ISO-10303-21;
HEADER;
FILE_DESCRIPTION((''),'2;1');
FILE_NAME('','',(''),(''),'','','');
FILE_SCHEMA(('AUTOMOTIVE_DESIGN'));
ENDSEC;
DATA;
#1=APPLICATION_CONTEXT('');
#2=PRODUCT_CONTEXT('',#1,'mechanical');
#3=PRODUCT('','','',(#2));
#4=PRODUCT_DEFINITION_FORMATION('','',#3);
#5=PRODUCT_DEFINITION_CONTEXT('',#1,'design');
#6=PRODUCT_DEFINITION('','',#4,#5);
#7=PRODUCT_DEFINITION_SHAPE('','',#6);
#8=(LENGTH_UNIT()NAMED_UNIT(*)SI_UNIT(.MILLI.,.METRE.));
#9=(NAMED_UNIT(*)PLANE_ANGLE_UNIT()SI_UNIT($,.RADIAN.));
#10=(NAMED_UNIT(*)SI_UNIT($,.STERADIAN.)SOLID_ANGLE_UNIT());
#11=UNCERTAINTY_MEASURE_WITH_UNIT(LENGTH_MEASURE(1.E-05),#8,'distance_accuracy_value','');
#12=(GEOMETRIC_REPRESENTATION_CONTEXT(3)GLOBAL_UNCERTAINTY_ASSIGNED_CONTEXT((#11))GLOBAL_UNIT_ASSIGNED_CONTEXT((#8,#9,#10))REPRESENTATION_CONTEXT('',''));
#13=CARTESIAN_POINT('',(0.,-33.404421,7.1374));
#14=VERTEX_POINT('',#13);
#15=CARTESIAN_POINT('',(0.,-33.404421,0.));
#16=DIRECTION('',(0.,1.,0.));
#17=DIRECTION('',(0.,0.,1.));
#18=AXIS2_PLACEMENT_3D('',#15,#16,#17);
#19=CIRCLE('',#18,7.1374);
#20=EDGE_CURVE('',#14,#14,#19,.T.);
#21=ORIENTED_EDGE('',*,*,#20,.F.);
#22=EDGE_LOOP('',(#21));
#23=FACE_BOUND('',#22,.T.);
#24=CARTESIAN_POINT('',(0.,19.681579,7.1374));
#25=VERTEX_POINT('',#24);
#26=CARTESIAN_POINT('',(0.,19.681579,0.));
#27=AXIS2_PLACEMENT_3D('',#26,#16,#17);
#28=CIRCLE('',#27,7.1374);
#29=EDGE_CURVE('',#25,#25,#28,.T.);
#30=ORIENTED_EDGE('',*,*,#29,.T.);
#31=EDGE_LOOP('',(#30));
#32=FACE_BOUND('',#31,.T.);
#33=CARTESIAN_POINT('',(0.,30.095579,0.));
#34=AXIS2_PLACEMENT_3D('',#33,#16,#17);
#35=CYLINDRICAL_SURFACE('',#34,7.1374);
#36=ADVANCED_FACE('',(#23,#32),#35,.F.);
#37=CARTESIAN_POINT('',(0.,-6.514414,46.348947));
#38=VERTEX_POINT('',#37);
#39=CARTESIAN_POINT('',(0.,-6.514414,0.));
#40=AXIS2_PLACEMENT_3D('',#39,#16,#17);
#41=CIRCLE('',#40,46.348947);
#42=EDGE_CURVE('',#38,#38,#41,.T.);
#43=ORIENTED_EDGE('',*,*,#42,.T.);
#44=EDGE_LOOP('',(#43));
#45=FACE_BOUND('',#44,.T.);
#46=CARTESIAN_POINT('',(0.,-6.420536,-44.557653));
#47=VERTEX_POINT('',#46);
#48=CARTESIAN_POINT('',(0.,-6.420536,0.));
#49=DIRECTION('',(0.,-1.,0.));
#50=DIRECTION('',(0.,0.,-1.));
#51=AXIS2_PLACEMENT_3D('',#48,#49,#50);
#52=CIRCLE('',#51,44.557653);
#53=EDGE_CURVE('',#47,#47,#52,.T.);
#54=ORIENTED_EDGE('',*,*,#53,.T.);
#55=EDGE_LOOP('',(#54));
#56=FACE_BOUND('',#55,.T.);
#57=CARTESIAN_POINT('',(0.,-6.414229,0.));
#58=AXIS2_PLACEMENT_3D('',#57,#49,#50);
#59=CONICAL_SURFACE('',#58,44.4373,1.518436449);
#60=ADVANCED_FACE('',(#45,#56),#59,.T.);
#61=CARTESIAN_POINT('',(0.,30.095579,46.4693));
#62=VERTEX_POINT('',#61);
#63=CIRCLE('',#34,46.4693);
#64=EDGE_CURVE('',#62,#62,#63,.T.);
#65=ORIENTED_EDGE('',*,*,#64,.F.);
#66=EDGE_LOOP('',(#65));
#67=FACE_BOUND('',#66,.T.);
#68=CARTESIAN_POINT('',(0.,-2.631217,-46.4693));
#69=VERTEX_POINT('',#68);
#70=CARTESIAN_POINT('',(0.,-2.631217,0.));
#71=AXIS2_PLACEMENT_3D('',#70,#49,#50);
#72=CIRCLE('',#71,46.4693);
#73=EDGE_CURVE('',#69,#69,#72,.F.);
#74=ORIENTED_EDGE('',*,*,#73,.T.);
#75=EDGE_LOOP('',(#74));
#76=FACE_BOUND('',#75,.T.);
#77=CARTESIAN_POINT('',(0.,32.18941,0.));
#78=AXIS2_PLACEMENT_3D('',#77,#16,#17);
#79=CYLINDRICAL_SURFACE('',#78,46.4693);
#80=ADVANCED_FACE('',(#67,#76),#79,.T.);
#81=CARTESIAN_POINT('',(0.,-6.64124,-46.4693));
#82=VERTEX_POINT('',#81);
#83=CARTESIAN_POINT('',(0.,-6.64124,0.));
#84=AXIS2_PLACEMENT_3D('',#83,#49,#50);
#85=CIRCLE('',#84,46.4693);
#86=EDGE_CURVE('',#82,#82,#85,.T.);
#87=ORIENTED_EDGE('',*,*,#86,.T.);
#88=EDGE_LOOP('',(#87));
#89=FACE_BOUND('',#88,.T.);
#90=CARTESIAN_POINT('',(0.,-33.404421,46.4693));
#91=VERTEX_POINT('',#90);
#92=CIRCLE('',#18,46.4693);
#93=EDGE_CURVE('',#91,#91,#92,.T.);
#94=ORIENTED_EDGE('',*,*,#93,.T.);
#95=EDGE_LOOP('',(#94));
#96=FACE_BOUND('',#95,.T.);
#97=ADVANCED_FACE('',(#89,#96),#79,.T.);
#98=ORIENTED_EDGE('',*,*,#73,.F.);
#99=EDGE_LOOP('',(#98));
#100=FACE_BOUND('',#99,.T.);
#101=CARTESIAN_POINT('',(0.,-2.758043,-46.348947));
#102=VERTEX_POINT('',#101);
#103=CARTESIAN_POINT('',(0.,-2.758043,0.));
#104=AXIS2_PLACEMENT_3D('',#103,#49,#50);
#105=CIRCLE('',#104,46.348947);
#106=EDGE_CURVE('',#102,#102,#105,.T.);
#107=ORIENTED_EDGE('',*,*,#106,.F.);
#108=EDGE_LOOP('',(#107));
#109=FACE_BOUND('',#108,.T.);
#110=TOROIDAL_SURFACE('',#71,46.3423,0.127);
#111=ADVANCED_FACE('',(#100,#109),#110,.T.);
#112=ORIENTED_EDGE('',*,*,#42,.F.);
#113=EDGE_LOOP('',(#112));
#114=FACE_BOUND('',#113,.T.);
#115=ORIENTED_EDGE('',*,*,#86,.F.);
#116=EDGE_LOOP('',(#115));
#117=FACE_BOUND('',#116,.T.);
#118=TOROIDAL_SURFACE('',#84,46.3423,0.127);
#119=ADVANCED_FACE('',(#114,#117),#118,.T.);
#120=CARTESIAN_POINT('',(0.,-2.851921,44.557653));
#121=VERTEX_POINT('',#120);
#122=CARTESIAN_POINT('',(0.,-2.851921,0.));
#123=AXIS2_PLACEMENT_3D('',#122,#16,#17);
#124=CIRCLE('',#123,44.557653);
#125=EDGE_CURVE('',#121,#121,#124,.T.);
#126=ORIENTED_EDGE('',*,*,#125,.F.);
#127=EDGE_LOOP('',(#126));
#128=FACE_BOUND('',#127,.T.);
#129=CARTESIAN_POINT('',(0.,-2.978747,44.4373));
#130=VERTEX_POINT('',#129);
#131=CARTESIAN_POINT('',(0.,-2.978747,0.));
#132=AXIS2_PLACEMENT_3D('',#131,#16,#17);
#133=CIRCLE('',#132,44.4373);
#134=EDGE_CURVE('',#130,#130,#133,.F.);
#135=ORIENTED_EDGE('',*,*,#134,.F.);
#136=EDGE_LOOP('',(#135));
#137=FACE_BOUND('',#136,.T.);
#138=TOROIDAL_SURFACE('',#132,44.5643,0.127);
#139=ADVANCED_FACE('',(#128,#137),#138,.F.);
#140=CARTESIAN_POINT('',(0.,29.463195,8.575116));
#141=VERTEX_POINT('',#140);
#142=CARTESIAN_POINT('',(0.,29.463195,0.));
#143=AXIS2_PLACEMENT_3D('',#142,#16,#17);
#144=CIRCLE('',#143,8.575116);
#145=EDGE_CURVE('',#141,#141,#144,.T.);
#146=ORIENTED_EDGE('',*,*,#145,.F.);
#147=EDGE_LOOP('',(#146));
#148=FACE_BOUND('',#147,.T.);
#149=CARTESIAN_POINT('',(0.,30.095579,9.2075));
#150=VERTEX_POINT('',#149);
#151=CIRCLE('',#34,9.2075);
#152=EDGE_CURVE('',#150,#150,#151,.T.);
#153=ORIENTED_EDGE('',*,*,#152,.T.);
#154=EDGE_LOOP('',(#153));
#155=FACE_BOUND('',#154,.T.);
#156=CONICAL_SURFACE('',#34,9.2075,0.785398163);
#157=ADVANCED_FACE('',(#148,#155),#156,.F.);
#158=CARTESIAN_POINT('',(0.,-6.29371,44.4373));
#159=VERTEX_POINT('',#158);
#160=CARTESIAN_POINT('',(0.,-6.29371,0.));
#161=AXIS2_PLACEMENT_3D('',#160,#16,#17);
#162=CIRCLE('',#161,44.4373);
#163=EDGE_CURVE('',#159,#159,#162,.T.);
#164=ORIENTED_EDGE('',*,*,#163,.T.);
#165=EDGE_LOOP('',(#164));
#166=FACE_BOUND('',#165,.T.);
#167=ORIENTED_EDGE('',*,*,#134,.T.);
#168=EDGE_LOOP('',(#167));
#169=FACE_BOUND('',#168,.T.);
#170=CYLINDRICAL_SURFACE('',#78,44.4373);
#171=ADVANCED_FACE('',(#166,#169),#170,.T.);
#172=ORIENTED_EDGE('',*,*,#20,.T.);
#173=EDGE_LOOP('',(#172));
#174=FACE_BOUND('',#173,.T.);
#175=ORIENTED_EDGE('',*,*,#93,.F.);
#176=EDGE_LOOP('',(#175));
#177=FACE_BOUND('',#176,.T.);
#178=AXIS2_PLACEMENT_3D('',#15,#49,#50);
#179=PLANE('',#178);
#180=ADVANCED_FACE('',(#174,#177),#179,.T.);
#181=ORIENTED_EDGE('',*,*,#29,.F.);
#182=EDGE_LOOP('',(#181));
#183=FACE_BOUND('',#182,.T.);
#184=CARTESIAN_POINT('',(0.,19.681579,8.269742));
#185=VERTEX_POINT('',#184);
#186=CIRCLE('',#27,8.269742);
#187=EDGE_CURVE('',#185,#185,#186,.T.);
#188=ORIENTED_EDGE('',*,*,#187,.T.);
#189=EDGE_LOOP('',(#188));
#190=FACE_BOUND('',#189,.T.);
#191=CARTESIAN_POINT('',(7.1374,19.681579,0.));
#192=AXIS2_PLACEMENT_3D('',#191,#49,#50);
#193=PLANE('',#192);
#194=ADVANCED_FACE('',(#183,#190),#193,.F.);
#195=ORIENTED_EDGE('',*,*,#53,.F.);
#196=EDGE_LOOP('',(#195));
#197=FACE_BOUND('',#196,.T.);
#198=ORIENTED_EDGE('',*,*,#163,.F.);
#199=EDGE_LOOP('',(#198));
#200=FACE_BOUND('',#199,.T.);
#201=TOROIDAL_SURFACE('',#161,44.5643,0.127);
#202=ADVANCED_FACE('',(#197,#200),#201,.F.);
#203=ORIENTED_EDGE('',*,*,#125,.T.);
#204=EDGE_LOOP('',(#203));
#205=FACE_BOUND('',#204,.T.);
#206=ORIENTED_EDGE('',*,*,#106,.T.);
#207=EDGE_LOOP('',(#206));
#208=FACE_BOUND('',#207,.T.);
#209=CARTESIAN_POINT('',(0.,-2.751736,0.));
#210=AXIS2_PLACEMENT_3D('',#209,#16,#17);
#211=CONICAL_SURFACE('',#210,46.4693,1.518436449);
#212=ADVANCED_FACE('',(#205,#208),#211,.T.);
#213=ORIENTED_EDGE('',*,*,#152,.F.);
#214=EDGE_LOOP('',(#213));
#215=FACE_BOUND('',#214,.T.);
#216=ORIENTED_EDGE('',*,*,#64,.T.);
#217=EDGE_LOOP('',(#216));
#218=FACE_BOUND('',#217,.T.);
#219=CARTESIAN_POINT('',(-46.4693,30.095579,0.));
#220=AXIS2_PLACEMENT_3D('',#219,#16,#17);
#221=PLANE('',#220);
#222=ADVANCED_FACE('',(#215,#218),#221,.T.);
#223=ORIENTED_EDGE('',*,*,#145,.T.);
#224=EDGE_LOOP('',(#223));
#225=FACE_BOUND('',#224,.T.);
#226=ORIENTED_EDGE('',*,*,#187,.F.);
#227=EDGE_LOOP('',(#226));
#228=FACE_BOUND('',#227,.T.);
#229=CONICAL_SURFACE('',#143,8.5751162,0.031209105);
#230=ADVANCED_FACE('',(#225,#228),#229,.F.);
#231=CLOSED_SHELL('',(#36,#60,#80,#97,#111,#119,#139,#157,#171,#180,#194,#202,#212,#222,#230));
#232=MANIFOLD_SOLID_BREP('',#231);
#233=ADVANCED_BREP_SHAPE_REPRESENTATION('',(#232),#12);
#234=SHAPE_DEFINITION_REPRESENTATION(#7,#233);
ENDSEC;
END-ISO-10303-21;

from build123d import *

# Parameters (mm, degrees)
FILLET1_R = 0.127
FILLET2_R = 0.127


with BuildPart() as part:
    # Sketch1 → Revolve3 (revolve)
    with BuildSketch(Plane.XY, mode=Mode.PRIVATE) as revolve3_sk:
        Polygon((0, -33.404421277), (-46.4693, -33.404421277), (-46.4693, -6.520721208), (-44.4373, -6.414228601), (-44.4373, -2.858228601), (-46.4693, -2.751735993), (-46.4693, 30.095578723), (0, 30.095578723), align=None)
    revolve(revolve3_sk.sketch.rotate(Axis((0, 32.189409805, 0), (0, -1, 0)), 270), axis=Axis((0, 32.189409805, 0), (0, -1, 0)))

    # Fillet1
    fillet1_edges = [part.edges().sort_by_distance(p)[0] for p in [
        (0, -2.751735993, -46.4693),
        (0, -6.520721208, -46.4693),
    ]]
    fillet(fillet1_edges, radius=FILLET1_R)

    # Fillet2
    fillet2_edges = [part.edges().sort_by_distance(p)[0] for p in [
        (0, -2.858228601, -44.4373),
        (0, -6.414228601, -44.4373),
    ]]
    fillet(fillet2_edges, radius=FILLET2_R)

    # Sketch10 → 3/8 NPT Tapped Hole2 (revolve, cut)
    with BuildSketch(Plane(origin=(0, 30.095578723, 0), x_dir=(0, 0, 1), z_dir=(1, 0, 0))):
        Polygon((0, 0), (0, 63.5), (7.1374, 63.5), (7.1374, 10.414), (8.269741561, 10.414), (8.5751162, 0.6323838), (9.2075, 0), align=None)
    revolve(axis=Axis((0, 36.445578723, 0), (0, -1, 0)), mode=Mode.SUBTRACT)


solid = part.part
